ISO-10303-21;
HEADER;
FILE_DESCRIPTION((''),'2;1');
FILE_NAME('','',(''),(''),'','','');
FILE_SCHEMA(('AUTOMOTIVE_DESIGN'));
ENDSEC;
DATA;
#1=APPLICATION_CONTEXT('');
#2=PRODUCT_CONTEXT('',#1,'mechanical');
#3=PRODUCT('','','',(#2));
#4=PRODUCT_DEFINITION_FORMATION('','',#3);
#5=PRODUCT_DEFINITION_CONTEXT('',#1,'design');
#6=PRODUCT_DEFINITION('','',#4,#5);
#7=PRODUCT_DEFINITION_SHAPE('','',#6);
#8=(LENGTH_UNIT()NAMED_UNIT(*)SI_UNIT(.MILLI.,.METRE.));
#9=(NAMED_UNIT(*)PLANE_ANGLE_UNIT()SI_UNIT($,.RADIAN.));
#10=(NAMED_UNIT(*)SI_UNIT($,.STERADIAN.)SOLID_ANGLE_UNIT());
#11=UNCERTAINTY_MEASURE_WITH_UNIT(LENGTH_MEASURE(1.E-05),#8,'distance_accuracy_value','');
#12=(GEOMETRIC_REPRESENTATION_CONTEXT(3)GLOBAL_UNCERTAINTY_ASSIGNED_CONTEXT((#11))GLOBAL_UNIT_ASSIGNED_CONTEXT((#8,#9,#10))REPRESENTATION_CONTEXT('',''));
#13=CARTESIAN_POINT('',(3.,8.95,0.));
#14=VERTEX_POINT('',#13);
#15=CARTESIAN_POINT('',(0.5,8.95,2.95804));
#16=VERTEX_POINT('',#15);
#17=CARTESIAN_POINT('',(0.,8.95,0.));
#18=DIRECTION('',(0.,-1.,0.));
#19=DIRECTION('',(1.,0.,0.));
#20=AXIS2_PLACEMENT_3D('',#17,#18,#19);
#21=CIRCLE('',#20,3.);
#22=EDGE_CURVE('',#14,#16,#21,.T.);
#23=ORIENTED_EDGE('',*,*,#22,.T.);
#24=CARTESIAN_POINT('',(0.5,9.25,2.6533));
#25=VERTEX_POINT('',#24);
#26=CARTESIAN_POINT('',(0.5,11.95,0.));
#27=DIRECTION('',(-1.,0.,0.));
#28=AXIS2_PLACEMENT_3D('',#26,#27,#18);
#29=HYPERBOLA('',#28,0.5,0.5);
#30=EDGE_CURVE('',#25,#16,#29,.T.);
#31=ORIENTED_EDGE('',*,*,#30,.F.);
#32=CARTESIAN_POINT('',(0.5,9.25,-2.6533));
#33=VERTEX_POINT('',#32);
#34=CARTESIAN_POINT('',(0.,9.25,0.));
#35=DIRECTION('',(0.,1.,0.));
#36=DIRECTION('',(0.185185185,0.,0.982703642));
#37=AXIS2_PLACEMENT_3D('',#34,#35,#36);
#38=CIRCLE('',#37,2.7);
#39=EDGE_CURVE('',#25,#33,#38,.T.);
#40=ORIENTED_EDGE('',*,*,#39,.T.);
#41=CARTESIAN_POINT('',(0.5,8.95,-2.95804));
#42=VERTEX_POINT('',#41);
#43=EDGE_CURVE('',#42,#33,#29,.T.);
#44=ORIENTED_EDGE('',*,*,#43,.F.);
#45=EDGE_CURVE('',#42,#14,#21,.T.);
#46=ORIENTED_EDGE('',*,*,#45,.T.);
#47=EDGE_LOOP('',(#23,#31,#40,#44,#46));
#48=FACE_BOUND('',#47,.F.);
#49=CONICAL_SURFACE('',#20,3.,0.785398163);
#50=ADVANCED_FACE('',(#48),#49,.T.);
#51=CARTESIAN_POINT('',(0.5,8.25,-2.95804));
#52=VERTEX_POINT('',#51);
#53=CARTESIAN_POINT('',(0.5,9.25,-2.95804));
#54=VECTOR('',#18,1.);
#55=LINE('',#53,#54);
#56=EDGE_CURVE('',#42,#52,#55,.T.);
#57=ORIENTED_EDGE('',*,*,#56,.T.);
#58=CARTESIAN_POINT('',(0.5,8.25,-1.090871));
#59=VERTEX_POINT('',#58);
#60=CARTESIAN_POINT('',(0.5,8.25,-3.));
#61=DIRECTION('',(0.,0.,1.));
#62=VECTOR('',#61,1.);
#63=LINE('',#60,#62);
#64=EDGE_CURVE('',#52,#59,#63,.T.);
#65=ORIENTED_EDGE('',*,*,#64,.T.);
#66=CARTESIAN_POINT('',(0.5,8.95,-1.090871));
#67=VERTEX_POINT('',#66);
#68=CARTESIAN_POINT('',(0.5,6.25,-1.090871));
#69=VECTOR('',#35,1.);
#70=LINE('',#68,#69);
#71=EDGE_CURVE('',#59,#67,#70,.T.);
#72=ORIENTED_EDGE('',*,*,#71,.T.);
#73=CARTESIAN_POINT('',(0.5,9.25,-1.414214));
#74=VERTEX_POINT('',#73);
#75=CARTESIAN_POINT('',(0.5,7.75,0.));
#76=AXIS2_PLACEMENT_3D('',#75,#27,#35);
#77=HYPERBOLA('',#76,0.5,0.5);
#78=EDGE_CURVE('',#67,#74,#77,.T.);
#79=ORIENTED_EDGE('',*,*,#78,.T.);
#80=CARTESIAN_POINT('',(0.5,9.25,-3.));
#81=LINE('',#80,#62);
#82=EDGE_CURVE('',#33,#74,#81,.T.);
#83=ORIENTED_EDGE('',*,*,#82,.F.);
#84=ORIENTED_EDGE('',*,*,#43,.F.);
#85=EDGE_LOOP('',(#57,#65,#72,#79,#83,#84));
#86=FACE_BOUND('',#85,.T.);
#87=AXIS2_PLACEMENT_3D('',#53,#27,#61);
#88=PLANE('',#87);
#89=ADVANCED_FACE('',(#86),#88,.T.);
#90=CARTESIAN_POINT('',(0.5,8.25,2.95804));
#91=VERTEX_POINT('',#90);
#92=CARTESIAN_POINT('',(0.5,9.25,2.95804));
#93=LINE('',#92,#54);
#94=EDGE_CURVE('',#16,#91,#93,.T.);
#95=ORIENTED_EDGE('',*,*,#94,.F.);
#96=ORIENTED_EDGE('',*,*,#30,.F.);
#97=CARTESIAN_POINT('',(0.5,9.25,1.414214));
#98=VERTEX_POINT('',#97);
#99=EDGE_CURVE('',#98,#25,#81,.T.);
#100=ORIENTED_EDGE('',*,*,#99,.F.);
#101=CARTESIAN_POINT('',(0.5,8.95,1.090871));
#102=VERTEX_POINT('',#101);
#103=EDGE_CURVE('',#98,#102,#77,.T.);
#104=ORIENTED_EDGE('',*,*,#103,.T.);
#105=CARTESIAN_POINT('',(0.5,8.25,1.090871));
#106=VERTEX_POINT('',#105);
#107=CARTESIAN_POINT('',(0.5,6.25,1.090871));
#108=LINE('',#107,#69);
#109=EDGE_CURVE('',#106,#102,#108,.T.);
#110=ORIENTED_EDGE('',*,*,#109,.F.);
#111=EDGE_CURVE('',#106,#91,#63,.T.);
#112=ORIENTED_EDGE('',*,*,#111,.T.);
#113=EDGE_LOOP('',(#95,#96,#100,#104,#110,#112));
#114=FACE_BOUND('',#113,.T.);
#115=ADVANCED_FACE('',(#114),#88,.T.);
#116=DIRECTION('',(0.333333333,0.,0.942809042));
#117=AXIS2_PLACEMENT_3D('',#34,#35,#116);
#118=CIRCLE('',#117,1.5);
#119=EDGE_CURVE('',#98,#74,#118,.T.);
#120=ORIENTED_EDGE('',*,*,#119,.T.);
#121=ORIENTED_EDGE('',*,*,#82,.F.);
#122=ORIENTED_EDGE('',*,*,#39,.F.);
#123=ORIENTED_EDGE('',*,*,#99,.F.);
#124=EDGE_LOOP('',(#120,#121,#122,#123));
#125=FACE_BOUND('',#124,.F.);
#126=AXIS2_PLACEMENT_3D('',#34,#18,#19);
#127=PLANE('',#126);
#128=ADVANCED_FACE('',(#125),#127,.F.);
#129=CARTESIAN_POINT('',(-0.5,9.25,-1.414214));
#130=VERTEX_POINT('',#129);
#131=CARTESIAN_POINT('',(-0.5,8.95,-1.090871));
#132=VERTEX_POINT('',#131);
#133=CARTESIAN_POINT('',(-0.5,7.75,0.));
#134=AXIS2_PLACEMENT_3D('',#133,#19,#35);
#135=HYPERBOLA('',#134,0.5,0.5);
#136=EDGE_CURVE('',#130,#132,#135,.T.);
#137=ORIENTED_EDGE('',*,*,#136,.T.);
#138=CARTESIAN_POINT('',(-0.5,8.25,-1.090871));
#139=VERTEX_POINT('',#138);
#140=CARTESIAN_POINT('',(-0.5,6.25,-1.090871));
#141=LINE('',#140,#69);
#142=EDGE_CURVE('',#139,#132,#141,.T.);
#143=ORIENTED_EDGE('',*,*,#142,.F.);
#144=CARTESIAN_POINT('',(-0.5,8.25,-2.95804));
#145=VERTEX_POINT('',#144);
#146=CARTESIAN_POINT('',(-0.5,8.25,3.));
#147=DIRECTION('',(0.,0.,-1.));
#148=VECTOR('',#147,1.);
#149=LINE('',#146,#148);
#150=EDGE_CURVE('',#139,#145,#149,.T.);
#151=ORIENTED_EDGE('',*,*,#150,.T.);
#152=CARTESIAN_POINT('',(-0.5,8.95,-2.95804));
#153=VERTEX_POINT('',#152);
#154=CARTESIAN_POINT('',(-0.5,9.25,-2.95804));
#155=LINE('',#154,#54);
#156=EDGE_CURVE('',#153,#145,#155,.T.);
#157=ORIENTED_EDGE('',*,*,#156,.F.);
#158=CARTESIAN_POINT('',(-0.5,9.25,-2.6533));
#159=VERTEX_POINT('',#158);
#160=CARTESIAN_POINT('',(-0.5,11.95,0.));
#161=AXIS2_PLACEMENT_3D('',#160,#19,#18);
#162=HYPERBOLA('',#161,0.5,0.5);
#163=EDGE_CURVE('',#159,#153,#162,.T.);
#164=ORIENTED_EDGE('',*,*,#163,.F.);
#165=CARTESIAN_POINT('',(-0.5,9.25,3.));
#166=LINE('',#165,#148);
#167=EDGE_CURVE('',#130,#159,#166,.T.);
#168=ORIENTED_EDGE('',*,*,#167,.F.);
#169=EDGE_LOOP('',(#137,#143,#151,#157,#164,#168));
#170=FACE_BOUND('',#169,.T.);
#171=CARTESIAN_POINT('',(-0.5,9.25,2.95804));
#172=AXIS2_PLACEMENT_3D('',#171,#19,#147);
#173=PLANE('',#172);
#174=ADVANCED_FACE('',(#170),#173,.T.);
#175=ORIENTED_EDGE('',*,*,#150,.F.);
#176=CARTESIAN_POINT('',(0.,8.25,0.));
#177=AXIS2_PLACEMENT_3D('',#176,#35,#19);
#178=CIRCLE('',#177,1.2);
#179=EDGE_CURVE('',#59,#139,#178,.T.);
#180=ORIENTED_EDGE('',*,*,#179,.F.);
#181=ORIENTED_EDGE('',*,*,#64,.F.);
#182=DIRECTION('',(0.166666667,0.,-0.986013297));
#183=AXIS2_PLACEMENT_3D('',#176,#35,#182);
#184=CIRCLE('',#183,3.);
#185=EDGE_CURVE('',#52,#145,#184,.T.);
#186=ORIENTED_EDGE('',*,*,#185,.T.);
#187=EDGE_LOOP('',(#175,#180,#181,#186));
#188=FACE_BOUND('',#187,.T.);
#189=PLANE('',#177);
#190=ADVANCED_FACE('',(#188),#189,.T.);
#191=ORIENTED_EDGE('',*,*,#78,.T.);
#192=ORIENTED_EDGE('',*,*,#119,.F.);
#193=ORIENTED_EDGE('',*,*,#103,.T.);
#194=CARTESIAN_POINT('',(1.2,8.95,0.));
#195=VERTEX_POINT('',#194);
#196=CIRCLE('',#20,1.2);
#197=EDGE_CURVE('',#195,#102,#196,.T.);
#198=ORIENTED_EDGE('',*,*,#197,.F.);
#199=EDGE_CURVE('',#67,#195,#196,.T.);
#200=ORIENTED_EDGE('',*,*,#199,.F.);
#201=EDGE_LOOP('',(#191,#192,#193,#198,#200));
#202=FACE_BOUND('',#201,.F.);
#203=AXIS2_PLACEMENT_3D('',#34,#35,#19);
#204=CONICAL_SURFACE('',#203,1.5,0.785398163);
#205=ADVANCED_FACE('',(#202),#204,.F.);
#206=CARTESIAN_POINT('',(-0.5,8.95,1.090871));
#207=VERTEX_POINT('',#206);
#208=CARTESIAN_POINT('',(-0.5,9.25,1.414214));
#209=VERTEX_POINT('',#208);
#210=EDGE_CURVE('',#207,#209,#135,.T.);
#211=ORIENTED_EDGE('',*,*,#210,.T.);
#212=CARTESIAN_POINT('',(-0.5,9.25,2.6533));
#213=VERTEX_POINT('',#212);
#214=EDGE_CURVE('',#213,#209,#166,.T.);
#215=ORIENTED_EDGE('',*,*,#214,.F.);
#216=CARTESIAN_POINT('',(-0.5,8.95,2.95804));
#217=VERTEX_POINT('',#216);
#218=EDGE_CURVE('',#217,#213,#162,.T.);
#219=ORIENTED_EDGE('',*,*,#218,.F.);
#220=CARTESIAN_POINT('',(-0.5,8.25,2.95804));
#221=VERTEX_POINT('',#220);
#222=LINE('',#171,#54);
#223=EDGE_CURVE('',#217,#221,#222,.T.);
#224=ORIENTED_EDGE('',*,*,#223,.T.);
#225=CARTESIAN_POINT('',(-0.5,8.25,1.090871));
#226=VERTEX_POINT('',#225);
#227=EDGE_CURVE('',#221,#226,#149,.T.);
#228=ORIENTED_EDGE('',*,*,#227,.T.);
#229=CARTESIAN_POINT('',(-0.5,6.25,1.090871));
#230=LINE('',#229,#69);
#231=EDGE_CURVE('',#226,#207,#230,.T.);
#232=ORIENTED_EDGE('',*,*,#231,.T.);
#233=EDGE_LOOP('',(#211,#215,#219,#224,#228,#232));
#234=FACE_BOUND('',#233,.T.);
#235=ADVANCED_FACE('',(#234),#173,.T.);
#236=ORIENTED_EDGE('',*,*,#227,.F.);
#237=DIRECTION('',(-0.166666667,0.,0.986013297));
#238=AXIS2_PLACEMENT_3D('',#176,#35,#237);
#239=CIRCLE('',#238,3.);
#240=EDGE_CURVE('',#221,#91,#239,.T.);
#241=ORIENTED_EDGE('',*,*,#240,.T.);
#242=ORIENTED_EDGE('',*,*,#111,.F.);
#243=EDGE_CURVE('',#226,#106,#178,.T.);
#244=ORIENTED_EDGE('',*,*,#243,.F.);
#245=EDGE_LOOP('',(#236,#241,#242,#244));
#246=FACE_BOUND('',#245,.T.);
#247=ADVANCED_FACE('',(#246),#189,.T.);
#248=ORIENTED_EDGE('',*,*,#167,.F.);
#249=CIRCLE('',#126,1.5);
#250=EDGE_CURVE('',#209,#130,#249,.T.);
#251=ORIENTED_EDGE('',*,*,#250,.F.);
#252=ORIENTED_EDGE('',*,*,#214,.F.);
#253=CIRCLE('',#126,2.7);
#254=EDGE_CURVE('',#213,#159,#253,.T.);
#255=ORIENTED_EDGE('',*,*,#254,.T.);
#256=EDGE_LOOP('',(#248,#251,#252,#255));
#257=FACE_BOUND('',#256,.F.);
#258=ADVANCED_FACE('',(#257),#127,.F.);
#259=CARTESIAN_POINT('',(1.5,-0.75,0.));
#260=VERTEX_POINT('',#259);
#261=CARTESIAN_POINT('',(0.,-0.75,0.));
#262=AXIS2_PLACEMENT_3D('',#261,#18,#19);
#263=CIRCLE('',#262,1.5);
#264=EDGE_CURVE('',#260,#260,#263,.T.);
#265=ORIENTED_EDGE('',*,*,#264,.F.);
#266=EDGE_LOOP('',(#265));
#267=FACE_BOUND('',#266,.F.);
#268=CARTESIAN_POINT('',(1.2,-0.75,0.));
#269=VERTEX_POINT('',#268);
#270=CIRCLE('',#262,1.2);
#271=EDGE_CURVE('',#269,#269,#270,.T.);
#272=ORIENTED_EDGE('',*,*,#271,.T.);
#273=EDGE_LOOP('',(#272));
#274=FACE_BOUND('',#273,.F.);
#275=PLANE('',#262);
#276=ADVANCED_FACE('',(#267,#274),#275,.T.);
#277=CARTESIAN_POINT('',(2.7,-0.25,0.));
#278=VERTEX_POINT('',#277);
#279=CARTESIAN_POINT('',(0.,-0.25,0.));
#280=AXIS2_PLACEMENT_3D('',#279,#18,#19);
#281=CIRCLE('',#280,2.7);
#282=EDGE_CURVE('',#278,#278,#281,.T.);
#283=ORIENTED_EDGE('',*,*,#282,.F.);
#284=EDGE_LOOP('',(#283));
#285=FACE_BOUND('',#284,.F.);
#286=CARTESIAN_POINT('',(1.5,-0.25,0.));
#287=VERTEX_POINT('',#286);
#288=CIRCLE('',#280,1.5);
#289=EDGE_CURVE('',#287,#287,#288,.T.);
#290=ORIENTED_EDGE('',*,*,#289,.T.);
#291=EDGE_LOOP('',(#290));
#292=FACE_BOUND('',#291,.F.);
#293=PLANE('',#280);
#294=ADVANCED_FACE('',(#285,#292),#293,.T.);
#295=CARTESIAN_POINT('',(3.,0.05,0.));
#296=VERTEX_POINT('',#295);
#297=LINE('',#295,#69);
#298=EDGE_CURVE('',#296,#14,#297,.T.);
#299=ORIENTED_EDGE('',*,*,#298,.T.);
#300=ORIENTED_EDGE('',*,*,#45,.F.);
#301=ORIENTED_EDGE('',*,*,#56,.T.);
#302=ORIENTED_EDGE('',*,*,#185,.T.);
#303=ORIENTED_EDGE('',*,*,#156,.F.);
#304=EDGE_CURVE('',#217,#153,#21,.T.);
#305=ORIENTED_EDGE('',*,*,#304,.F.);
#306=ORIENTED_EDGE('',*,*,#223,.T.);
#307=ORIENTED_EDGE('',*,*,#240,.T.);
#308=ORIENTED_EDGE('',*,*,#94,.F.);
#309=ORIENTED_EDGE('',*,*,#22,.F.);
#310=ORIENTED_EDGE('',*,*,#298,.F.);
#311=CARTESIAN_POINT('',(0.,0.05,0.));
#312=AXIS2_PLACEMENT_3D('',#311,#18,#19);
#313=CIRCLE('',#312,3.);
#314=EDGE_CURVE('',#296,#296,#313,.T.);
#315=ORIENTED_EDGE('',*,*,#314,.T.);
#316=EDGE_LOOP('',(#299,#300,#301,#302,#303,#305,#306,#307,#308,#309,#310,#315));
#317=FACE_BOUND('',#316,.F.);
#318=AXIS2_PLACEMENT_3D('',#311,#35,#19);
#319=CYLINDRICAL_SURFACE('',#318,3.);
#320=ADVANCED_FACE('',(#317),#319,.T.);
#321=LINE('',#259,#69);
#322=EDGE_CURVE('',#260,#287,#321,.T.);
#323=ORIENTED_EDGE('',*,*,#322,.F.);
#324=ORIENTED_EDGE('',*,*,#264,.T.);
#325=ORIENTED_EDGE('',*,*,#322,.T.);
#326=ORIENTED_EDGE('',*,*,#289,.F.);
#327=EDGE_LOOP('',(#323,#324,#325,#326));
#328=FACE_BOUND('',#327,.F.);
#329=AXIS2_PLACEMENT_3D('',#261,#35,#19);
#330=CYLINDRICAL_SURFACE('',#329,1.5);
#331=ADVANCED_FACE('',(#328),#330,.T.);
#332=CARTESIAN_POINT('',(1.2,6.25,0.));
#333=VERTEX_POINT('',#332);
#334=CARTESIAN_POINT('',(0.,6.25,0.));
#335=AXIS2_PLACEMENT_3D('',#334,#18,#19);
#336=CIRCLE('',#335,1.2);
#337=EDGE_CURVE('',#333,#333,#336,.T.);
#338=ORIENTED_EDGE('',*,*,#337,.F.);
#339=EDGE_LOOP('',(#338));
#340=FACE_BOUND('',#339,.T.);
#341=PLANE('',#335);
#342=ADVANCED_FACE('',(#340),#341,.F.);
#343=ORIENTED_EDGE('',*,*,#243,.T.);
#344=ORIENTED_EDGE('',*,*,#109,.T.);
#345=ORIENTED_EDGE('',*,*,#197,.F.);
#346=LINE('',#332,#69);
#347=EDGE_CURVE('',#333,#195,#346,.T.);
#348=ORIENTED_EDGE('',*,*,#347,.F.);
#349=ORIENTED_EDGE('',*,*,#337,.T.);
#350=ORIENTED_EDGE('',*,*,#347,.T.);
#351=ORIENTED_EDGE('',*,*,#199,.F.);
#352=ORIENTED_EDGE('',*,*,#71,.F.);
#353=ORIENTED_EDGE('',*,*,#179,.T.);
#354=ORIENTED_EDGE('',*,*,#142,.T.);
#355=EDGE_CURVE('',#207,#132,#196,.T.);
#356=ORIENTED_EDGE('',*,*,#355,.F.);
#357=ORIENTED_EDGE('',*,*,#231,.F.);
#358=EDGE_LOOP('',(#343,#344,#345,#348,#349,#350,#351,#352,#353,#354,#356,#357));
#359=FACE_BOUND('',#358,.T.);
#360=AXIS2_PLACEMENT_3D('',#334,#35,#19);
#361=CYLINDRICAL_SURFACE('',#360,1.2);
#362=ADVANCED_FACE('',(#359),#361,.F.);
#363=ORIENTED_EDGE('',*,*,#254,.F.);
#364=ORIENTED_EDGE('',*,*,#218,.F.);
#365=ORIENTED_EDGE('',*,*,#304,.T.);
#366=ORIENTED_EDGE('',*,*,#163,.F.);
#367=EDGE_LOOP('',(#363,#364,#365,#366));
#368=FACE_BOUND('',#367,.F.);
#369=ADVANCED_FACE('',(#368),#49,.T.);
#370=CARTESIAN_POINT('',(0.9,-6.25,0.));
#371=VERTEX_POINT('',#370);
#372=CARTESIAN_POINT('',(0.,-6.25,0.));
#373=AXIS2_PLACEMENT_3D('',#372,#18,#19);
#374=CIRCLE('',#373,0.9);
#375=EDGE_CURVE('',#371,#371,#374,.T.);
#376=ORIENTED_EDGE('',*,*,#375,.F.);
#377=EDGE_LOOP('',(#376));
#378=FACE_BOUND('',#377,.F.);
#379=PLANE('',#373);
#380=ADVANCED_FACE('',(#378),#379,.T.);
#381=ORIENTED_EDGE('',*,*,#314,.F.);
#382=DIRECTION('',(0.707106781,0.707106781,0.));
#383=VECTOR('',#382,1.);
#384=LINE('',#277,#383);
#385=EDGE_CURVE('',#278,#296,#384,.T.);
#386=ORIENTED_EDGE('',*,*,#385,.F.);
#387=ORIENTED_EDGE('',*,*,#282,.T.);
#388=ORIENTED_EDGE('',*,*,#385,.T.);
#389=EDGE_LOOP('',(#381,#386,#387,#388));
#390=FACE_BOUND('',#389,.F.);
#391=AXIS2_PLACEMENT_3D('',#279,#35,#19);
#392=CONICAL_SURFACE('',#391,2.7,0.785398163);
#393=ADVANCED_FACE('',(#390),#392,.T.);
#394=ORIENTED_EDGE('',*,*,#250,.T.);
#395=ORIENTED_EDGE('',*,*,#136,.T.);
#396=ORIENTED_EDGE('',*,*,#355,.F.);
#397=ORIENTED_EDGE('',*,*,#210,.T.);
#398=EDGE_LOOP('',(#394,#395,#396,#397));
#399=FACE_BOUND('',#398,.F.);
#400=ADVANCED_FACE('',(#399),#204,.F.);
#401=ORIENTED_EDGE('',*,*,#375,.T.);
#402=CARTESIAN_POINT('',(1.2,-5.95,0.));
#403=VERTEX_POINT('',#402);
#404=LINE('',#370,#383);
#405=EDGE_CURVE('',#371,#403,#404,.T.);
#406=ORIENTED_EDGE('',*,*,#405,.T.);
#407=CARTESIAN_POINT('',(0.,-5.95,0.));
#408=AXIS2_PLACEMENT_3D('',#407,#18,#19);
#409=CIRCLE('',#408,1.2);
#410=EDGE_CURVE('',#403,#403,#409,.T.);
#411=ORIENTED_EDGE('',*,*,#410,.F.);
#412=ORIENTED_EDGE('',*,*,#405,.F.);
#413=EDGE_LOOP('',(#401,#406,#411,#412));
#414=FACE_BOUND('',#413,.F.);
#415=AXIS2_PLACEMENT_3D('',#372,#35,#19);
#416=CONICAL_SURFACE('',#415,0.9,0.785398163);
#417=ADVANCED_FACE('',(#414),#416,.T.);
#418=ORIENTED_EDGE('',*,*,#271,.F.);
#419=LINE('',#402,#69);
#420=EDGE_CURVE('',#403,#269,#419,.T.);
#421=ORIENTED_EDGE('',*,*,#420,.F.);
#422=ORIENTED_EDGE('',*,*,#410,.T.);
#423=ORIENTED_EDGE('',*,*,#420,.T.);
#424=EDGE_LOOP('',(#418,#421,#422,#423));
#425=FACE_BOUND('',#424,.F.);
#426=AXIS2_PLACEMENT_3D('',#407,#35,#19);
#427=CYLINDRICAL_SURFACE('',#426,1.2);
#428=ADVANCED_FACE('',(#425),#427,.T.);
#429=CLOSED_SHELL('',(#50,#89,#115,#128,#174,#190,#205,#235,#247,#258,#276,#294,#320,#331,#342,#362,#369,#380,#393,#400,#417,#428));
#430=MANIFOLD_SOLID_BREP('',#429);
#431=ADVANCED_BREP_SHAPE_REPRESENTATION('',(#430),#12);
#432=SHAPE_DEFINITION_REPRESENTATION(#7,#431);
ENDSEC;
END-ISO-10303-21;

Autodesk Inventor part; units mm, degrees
ref_plane "YZ Plane" through (0, 0, 0) normal (1, 0, 0) x (0, 1, 0)
ref_plane "XZ Plane" through (0, 0, 0) normal (0, 1, 0) x (-1, 0, 0)
ref_plane "XY Plane" through (0, 0, 0) normal (0, 0, 1) x (1, 0, 0)
sketch "スケッチ1" plane through (0, 0, 0) normal (0, 0, 1) x (1, 0, 0)
  line L0 (0, -6.25) -> (0.9, -6.25)
  line L1 (0.9, -6.25) -> (1.2, -5.95)
  line L2 (1.2, -5.95) -> (1.2, -0.75)
  line L3 (1.2, -0.75) -> (1.5, -0.75)
  line L4 (1.5, -0.75) -> (1.5, -0.25)
  line L5 (1.5, -0.25) -> (2.7, -0.25)
  line L6 (3, 8.95) -> (2.7, 9.25)
  line L7 (2.7, 9.25) -> (1.5, 9.25)
  line L8 (1.5, 9.25) -> (1.2, 8.95)
  line L9 (0, 7.4044) -> (0, -7.4044) construction
  line L10 (0, -6.25) -> (0, 6.25)
  line L11 (0, 6.25) -> (1.2, 6.25)
  line L12 (1.2, 6.25) -> (1.2, 8.95)
  line L13 (2.7, -0.25) -> (3, 0.05)
  line L14 (3, 0.05) -> (3, 8.95)
  point P0 (0, 0)
  point P1 (0, 0)
  point P2 (0, 0)
  dimension "d0" = 2.4
  dimension "d1" = 6
  dimension "d2" = 0.3
  dimension "d3" = 0.3
  dimension "d4" = 3
  dimension "d5" = 0.5
  dimension "d6" = 9.5
  dimension "d7" = 0.3
  dimension "d8" = 2.4
  dimension "d9" = 3
  dimension "d10" = 0.3
  dimension "d11" = 0.3
  dimension "d12" = 0.3
  dimension "d13" = 0.3
  dimension "d14" = 6
revolve "回転1" add sketch "スケッチ1" angle 360 about axis through (0, 7.4044, 0) along (0, -1, 0)
sketch "スケッチ2" plane through (0, 9.25, 0) normal (0, 1, 0) x (1, 0, 0)
  line L0 (-0.5, 3) -> (0.5, 3)
  line L1 (0.5, 3) -> (0.5, -3)
  line L2 (0.5, -3) -> (-0.5, -3)
  line L3 (-0.5, -3) -> (-0.5, 3)
  line L4 (-0.5, 3) -> (0.5, -3) construction
  line L5 (0.5, 3) -> (-0.5, -3) construction
  circle A0 centre (0, 0) radius 3 projected
  point P0 (0, 0)
  point P1 (0.5, 2.958)
  point P2 (-0.5, 2.958)
  point P3 (-0.5, -2.958)
  point P4 (0.5, -2.958)
  dimension "d16" = 1
extrude "押し出し1" cut sketch "スケッチ2" against normal blind 1 contours A0 L1 L3
equation "\"d3\" = d2"
equation "\"d10\" = d7"
equation "\"d11\" = d7"
equation "\"d12\" = d11"
equation "\"d13\" = d12"
properties part number "BRU-309_5S" material "ステンレス鋼 AISI 304"
